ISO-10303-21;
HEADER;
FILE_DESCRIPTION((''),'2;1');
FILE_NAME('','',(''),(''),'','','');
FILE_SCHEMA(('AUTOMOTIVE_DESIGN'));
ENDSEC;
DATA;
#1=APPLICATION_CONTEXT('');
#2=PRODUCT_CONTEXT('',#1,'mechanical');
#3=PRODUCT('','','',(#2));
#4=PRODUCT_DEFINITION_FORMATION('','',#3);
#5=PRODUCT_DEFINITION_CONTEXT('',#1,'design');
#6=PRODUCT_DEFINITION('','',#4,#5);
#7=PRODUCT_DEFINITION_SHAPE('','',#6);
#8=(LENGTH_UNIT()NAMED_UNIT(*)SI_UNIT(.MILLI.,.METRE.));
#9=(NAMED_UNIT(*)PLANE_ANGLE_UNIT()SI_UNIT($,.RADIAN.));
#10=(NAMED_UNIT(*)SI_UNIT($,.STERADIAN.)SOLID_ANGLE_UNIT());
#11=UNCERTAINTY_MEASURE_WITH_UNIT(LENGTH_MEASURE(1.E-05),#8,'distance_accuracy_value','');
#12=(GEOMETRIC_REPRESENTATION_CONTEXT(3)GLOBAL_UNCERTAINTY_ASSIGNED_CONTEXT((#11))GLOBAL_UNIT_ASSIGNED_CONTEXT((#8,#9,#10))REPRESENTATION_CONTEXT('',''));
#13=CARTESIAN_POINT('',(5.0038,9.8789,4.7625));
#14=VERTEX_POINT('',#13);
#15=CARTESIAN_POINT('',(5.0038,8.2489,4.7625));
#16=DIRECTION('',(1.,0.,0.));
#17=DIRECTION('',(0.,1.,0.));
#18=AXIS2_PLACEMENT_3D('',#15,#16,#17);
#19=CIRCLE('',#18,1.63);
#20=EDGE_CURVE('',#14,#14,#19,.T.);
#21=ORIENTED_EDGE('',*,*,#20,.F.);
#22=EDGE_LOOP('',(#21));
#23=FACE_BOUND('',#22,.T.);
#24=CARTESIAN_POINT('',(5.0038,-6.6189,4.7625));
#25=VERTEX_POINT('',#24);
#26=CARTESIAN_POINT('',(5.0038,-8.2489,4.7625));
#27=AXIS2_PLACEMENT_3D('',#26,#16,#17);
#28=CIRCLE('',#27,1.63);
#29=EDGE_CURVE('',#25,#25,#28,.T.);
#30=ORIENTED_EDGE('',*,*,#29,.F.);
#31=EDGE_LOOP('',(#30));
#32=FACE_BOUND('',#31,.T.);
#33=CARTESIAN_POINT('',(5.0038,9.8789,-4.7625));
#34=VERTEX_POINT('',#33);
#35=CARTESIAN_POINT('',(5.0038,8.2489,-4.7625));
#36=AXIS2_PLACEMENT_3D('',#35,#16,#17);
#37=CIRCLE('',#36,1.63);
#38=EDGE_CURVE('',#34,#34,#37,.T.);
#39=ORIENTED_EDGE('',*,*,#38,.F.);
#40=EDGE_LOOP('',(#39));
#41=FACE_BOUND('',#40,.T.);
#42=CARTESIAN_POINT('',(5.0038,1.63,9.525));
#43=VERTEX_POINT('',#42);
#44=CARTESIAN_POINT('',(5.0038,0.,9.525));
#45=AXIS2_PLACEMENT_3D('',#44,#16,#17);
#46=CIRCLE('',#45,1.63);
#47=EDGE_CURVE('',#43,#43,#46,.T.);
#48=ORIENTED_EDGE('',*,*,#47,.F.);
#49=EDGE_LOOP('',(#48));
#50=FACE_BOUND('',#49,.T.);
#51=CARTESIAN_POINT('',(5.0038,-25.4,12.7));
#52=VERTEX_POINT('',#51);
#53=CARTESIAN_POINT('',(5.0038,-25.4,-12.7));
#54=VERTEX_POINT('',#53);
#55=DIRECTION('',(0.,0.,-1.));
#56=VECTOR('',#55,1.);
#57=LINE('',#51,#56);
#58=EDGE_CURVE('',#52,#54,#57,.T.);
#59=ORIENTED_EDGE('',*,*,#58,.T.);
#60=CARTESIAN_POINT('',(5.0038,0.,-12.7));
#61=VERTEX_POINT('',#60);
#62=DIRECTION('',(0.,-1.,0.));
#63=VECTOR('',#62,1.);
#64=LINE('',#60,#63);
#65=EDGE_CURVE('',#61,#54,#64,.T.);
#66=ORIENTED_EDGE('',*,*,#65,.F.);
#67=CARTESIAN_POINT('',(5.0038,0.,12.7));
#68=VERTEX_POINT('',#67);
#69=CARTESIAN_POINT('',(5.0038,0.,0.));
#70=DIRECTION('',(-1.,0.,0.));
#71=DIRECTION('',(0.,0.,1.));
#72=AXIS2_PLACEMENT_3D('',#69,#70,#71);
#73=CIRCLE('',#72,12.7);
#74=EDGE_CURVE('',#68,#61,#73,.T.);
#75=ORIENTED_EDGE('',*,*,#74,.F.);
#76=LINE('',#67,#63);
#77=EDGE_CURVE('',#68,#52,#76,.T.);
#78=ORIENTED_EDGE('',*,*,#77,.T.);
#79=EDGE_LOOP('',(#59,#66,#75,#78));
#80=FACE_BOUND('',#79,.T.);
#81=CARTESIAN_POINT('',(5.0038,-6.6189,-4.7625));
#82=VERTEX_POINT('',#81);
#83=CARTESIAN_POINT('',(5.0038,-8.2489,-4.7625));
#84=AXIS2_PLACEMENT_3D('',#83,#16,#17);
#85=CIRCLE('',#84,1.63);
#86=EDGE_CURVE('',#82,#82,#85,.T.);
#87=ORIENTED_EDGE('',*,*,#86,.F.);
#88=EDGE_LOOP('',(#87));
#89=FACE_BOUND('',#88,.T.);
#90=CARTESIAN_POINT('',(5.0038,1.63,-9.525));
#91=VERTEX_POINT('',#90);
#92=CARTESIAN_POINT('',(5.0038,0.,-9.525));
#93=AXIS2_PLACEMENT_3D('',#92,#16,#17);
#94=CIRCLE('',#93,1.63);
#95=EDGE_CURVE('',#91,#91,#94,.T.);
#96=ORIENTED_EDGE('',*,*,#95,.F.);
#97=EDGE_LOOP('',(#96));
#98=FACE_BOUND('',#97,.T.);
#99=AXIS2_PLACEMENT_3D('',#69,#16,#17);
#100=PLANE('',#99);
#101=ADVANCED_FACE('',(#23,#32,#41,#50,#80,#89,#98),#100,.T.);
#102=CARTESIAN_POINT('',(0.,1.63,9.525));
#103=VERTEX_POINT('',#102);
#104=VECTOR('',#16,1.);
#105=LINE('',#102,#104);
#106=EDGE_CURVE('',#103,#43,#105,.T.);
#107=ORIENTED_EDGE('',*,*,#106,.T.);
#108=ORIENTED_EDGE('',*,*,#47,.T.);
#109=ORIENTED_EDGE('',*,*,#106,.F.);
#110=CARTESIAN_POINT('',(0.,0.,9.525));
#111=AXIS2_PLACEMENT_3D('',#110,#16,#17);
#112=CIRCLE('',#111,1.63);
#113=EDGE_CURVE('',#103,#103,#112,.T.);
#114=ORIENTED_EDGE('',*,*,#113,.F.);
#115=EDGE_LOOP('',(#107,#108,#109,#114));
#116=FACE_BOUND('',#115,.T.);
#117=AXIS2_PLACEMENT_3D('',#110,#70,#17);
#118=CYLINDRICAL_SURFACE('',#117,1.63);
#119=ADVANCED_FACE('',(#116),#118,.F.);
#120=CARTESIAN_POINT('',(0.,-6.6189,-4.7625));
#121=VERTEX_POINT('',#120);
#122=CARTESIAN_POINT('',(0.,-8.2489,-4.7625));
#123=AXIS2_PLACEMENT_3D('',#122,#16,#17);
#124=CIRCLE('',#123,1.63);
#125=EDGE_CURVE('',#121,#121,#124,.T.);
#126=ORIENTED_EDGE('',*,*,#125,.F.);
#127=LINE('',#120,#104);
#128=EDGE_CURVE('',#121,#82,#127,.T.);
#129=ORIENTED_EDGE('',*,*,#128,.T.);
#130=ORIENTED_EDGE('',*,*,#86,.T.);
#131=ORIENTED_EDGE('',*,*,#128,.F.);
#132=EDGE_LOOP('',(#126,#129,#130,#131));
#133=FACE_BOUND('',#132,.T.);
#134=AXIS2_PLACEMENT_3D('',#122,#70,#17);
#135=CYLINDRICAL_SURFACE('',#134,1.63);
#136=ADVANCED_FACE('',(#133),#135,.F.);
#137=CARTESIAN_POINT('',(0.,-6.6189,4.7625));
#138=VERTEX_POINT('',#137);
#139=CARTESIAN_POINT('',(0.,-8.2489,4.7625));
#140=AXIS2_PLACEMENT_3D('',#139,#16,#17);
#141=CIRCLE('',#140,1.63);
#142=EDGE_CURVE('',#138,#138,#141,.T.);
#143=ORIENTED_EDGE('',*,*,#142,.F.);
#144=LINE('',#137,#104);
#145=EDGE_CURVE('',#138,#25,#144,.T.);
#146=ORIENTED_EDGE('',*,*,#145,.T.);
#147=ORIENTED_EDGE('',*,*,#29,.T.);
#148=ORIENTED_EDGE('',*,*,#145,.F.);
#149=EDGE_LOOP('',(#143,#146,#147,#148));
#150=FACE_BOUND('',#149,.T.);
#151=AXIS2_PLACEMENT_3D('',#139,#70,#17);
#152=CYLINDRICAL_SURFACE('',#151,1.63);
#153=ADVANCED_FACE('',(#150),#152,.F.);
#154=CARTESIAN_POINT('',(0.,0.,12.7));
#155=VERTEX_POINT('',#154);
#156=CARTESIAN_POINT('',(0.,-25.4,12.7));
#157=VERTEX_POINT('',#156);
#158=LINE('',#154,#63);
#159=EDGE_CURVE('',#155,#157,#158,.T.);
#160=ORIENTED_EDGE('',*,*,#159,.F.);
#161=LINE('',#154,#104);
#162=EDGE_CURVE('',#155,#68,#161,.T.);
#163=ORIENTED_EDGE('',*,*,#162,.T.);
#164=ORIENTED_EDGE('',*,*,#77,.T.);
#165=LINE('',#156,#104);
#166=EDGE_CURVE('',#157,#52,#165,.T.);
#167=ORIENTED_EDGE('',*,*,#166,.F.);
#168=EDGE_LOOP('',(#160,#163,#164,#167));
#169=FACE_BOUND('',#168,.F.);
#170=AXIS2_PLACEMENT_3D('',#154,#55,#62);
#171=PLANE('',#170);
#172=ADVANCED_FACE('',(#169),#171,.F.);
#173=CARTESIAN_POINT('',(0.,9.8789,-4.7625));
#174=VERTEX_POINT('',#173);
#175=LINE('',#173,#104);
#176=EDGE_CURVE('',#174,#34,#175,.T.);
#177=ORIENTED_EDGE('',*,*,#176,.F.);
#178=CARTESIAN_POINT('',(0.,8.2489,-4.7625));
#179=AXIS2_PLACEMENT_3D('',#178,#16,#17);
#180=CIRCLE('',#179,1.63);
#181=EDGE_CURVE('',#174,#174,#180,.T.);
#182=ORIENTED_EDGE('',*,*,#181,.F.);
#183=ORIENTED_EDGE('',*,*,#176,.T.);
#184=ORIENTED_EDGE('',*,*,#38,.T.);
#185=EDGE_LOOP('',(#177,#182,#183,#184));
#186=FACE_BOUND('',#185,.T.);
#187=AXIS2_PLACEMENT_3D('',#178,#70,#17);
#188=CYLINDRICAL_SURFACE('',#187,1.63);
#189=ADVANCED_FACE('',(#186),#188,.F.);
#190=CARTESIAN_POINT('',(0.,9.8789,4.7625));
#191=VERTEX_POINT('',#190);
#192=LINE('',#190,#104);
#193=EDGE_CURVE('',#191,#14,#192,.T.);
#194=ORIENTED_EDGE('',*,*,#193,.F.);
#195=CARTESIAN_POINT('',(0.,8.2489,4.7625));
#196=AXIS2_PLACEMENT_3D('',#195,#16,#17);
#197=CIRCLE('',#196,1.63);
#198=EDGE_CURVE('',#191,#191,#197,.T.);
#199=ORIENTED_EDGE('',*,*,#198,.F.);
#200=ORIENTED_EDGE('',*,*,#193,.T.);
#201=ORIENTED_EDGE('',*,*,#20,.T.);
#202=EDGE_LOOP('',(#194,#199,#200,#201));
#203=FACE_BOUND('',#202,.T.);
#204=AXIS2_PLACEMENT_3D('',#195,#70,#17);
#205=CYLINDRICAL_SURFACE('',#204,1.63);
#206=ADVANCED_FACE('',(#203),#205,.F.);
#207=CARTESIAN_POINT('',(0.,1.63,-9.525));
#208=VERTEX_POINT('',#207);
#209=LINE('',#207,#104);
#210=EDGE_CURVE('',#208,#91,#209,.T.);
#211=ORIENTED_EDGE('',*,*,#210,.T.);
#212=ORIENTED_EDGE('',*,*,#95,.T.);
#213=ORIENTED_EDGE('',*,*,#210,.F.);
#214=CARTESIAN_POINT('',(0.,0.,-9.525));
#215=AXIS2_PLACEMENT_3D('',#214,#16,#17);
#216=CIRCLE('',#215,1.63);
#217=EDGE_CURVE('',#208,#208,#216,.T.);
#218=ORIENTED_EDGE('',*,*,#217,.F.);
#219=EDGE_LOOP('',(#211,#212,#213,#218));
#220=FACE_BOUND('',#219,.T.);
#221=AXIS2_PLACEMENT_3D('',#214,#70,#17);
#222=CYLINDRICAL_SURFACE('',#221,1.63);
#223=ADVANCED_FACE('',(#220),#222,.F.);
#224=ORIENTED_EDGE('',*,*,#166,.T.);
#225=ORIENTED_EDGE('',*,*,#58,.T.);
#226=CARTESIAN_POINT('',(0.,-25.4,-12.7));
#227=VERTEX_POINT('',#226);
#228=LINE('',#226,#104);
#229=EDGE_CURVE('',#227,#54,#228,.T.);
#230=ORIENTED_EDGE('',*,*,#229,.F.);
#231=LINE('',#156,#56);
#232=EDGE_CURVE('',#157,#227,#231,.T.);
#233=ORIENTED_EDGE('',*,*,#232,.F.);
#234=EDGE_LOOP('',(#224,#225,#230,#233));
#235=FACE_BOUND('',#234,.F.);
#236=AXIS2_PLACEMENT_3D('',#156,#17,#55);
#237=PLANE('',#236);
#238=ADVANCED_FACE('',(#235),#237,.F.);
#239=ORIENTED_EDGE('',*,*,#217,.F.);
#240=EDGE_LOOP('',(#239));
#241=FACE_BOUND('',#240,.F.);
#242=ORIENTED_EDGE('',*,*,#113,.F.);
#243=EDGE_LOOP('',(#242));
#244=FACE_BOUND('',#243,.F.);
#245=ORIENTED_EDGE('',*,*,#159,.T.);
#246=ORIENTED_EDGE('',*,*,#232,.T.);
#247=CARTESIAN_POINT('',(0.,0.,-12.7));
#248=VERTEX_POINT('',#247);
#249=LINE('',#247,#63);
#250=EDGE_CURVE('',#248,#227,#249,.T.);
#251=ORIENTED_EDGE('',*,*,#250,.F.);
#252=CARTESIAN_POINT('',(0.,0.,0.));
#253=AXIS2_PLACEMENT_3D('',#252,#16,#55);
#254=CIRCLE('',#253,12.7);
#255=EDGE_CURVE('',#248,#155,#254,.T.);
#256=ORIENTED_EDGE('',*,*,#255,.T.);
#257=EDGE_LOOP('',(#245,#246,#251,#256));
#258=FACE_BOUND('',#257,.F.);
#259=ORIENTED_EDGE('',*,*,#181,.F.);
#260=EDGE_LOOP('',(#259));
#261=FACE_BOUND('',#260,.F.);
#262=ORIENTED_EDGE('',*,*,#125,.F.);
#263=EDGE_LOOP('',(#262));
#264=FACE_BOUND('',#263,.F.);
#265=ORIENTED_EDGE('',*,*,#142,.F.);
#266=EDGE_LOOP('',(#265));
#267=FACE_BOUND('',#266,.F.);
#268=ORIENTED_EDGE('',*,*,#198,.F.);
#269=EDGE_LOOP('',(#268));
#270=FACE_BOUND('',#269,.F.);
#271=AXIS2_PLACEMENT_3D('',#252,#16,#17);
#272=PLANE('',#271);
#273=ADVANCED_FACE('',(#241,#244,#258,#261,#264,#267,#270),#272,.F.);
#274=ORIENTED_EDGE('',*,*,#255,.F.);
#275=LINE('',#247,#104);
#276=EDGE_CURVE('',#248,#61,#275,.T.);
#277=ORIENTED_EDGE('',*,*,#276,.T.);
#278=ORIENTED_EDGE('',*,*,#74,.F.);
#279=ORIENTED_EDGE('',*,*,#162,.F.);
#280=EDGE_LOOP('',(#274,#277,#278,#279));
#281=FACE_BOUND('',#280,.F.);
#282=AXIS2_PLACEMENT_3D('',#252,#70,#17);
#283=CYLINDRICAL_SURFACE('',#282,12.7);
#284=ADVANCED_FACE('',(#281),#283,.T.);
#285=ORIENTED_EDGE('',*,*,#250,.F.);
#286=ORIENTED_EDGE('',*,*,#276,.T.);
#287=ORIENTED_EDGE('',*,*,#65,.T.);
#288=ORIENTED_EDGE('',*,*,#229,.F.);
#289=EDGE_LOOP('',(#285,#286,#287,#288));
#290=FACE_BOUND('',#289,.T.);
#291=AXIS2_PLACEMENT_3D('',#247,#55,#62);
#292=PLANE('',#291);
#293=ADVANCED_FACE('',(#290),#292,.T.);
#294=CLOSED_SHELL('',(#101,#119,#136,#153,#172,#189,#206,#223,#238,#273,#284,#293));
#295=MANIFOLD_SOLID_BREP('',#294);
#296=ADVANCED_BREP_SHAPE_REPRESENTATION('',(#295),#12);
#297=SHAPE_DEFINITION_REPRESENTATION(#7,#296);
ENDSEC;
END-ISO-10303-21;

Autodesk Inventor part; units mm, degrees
ref_plane "YZ Plane" through (0, 0, 0) normal (1, 0, 0) x (0, 1, 0)
sketch "Sketch1" plane through (0, 0, 0) normal (1, 0, 0) x (0, 1, 0)
  circle A0 centre (0, 0) radius 12.7
  circle A1 centre (0, 0) radius 6
  circle A2 centre (0, 9.525) radius 1.63
  circle A3 centre (8.2489, 4.7625) radius 1.63
  circle A4 centre (8.2489, -4.7625) radius 1.63
  circle A5 centre (0, -9.525) radius 1.63
  circle A6 centre (-8.2489, -4.7625) radius 1.63
  circle A7 centre (-8.2489, 4.7625) radius 1.63
  circle A8 centre (0, 0) radius 6
  circle A9 centre (0, 0) radius 3.2
  point P0 (0, 0.0001)
extrude "Extrusion1" add sketch "Sketch1" along normal blind 5.0038 contours A0 | A1 | A9
sketch "Sketch2" plane through (0, 0, 0) normal (-1, 0, 0) x (0, 0, 1)
  circle A0 centre (0, 0) radius 12.7 projected
  line L0 (12.7, 0) -> (12.7, -25.4)
  line L1 (0, 0) -> (0, -12.7) construction
  line L2 (-12.7, 0) -> (-12.7, -25.4)
  line L3 (12.7, -25.4) -> (-12.7, -25.4)
  circle A1 centre (-9.525, 0) radius 1.63 projected
  circle A2 centre (-4.7625, 8.2489) radius 1.63 projected
  circle A3 centre (4.7625, 8.2489) radius 1.63 projected
  circle A4 centre (4.7625, -8.2489) radius 1.63 projected
  circle A5 centre (-4.7625, -8.2489) radius 1.63 projected
  circle A6 centre (9.525, 0) radius 1.63 projected
  circle A7 centre (0, 0) radius 12.7 projected
  arc A8 (-12.7, 0) -> (12.7, 0) centre (0, 0) ccw
  dimension "d2" = 25.4
extrude "Extrusion2" add sketch "Sketch2" against normal blind 5.0038 contours L0 L3 L2 A0
ref_plane "Work Plane1" through (2.5019, 0, 0) normal (-1, 0, 0) x (0, 0, 1)
ref_plane "Work Plane2" through (0, -25.4, 0) normal (0, 0, -1) x (-1, 0, 0)
properties part number "thumb mount"
